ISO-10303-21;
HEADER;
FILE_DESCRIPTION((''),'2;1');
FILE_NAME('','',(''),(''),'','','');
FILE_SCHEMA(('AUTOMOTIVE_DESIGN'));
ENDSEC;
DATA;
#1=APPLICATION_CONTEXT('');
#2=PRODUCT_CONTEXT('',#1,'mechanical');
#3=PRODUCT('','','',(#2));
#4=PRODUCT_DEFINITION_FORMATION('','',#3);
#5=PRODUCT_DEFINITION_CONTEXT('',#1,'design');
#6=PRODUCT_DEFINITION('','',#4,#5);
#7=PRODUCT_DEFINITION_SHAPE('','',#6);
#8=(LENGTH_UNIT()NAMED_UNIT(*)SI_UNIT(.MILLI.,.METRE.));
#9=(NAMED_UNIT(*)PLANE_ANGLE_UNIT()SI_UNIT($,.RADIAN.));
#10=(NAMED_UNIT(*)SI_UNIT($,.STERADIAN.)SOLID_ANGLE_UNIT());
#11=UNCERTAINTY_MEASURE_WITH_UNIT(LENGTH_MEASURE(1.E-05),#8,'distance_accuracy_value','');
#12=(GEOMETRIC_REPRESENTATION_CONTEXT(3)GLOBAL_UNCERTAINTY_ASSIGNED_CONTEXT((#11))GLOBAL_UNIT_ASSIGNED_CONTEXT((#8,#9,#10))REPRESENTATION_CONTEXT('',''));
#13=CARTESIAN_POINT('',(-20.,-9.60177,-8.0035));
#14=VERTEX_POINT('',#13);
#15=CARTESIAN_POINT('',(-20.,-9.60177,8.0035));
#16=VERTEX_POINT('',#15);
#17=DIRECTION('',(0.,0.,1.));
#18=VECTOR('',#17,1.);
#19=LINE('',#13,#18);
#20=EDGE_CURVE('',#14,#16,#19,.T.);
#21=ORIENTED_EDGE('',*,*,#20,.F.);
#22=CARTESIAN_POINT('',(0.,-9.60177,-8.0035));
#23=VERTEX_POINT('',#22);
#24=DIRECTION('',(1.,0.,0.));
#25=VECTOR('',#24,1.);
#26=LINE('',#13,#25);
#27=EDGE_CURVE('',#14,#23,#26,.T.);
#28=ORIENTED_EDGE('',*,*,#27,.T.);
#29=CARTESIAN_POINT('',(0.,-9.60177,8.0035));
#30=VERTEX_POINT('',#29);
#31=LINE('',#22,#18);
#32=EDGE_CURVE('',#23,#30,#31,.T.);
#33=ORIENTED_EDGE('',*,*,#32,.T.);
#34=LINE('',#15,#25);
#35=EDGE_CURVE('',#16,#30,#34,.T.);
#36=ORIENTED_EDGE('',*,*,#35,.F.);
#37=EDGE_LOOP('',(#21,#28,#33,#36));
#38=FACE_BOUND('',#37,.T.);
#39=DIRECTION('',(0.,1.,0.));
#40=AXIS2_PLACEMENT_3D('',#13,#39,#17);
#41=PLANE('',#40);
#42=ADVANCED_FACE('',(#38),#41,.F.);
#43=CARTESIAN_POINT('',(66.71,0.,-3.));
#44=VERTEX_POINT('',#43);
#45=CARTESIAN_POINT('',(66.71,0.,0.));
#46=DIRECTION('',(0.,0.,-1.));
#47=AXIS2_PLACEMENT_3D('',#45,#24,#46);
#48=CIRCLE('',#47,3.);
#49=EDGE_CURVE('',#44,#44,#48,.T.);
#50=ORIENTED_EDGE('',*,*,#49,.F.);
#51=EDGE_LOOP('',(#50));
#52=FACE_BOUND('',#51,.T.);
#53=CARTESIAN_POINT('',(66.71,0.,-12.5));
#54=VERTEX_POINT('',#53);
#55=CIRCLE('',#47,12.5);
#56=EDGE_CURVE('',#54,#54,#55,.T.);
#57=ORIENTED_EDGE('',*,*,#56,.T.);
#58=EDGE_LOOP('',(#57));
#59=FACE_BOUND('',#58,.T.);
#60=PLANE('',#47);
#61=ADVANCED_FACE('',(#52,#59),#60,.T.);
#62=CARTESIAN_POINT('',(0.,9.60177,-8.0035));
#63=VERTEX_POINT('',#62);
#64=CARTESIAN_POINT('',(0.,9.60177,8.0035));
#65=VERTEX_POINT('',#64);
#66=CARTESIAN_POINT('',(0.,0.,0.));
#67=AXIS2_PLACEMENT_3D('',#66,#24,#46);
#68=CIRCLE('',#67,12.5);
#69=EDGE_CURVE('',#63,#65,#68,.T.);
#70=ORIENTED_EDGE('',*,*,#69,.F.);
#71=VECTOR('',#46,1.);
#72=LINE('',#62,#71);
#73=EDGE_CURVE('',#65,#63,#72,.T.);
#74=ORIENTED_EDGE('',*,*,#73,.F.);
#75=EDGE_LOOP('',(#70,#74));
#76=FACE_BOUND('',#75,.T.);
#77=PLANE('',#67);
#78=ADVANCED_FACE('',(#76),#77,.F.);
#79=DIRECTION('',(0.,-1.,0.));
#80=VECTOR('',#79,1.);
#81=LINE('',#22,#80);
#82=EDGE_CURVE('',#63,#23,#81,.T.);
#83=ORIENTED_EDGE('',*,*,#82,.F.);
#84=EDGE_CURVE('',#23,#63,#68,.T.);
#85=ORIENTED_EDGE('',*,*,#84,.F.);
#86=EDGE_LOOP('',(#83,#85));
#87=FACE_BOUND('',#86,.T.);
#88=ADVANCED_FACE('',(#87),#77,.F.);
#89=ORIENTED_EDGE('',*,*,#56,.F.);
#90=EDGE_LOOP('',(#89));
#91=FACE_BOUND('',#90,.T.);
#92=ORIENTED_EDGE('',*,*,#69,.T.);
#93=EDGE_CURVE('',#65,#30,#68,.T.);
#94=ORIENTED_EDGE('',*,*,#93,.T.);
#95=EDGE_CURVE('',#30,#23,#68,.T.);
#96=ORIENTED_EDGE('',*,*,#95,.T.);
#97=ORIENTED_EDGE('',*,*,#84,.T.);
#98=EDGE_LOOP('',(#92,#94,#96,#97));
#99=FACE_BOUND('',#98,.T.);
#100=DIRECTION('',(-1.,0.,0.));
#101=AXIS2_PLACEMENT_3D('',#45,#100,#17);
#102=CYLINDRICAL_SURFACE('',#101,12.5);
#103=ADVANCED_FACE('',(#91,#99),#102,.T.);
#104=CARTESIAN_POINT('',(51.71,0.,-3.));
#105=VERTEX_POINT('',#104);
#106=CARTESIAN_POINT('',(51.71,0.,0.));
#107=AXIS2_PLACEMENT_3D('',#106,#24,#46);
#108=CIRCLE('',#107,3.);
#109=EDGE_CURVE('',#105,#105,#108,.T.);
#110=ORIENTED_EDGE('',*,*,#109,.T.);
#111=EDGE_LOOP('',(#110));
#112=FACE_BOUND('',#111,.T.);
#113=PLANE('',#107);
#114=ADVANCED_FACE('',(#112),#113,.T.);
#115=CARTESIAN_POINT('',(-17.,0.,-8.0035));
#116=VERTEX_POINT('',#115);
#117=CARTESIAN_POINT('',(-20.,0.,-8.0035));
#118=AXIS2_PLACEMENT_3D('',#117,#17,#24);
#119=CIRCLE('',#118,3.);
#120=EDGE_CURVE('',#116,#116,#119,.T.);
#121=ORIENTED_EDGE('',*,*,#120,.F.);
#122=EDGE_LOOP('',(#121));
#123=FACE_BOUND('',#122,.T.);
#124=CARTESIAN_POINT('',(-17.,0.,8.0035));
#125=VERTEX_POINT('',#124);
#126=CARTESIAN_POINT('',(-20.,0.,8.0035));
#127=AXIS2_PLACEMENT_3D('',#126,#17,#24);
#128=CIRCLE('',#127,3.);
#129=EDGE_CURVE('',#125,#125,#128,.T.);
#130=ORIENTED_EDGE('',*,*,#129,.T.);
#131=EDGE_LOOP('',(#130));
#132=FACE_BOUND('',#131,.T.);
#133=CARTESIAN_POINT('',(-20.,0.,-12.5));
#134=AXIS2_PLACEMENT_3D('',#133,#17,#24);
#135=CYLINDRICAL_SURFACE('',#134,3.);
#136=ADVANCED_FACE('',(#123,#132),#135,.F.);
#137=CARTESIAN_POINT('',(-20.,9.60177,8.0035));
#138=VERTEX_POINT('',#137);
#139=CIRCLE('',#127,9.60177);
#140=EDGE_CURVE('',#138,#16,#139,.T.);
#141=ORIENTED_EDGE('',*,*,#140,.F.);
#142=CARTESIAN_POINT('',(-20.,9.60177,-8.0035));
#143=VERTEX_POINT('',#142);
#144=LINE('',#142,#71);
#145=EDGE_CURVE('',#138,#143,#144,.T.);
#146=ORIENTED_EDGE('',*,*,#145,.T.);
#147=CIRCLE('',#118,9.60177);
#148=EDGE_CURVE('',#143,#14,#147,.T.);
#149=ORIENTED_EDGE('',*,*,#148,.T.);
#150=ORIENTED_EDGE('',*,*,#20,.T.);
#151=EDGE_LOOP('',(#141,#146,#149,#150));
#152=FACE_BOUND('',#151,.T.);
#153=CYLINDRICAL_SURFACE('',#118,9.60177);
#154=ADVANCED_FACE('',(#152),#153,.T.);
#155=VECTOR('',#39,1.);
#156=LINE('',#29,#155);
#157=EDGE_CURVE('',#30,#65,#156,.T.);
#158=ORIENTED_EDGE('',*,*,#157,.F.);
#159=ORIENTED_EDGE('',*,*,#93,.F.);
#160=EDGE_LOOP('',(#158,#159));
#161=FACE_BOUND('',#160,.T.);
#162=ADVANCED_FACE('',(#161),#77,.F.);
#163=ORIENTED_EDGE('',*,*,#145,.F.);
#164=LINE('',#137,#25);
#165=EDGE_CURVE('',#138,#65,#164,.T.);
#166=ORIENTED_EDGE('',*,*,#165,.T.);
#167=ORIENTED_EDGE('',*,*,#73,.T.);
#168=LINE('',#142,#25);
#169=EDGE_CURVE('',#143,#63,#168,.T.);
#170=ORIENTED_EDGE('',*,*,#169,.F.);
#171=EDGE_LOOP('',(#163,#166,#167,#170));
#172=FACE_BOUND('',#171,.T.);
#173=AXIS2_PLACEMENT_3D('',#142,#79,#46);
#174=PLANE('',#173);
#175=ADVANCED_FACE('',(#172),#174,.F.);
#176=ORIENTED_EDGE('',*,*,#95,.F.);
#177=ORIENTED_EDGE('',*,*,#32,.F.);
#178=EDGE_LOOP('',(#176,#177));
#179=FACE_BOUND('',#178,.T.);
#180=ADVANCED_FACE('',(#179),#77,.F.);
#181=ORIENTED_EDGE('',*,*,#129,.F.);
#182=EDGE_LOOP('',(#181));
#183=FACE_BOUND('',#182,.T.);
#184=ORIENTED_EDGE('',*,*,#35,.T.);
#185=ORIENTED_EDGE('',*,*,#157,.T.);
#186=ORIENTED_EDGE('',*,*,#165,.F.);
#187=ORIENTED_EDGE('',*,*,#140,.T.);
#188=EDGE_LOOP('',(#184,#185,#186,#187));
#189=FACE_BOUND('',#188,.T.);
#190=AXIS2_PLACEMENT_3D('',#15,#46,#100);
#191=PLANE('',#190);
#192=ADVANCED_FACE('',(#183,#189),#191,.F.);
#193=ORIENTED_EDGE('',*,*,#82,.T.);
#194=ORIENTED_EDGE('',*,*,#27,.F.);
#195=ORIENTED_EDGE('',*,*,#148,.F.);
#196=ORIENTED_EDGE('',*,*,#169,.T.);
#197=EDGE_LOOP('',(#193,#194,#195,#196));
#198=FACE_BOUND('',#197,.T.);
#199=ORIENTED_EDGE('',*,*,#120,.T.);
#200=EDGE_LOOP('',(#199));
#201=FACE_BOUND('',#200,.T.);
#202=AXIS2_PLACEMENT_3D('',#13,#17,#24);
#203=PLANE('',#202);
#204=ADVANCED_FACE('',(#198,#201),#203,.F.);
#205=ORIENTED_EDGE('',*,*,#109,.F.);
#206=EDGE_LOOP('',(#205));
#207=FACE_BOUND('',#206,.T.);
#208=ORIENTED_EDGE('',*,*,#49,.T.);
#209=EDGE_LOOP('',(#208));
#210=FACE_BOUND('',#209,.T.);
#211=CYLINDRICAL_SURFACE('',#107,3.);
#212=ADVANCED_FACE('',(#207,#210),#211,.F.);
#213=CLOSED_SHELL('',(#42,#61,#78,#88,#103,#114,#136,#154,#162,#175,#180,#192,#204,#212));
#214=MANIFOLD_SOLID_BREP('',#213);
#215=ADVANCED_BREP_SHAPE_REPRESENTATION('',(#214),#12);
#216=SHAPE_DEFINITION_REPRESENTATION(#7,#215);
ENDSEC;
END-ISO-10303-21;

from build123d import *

# Parameters (mm, degrees)
SKETCH1_R           = 12.5
BOSS_EXTRUDE1_DEPTH = 66.71
SKETCH2_W           = 16.007
SKETCH2_H           = 19.203540064
BOSS_EXTRUDE2_DEPTH = 20
BOSS_EXTRUDE3_DEPTH = 16.007
SKETCH4_R           = 3
CUT_EXTRUDE1_DEPTH  = 71.900406291
SKETCH5_R           = 3
CUT_EXTRUDE2_DEPTH  = 15


with BuildPart() as part:
    # Sketch1 → Boss-Extrude1 (new body)
    with BuildSketch(Plane(origin=(0, 0, 0), x_dir=(0, 0, -1), z_dir=(1, 0, 0))):
        Circle(SKETCH1_R)
    extrude(amount=BOSS_EXTRUDE1_DEPTH)

    # Sketch2 → Boss-Extrude2 (add)
    with BuildSketch(Plane.ZY):
        Rectangle(SKETCH2_W, SKETCH2_H)
    extrude(amount=BOSS_EXTRUDE2_DEPTH)

    # Sketch3 → Boss-Extrude3 (add)
    with BuildSketch(Plane.XY.offset(8.0035)):
        with BuildLine():
            Line((-20, 9.601770032), (-20, -9.601770032))
            ThreePointArc((-20, -9.601770032), (-29.601770032, 0), (-20, 9.601770032))
        make_face()
    extrude(amount=-BOSS_EXTRUDE3_DEPTH)

    # Sketch4 → Cut-Extrude1 (cut, through all)
    with BuildSketch(Plane.XY.offset(8.0035)):
        with Locations((-20, 0)):
            Circle(SKETCH4_R)
    extrude(amount=-CUT_EXTRUDE1_DEPTH, mode=Mode.SUBTRACT)

    # Sketch5 → Cut-Extrude2 (cut)
    with BuildSketch(Plane(origin=(66.71, 0, 0), x_dir=(0, 0, -1), z_dir=(1, 0, 0))):
        Circle(SKETCH5_R)
    extrude(amount=-CUT_EXTRUDE2_DEPTH, mode=Mode.SUBTRACT)


solid = part.part
